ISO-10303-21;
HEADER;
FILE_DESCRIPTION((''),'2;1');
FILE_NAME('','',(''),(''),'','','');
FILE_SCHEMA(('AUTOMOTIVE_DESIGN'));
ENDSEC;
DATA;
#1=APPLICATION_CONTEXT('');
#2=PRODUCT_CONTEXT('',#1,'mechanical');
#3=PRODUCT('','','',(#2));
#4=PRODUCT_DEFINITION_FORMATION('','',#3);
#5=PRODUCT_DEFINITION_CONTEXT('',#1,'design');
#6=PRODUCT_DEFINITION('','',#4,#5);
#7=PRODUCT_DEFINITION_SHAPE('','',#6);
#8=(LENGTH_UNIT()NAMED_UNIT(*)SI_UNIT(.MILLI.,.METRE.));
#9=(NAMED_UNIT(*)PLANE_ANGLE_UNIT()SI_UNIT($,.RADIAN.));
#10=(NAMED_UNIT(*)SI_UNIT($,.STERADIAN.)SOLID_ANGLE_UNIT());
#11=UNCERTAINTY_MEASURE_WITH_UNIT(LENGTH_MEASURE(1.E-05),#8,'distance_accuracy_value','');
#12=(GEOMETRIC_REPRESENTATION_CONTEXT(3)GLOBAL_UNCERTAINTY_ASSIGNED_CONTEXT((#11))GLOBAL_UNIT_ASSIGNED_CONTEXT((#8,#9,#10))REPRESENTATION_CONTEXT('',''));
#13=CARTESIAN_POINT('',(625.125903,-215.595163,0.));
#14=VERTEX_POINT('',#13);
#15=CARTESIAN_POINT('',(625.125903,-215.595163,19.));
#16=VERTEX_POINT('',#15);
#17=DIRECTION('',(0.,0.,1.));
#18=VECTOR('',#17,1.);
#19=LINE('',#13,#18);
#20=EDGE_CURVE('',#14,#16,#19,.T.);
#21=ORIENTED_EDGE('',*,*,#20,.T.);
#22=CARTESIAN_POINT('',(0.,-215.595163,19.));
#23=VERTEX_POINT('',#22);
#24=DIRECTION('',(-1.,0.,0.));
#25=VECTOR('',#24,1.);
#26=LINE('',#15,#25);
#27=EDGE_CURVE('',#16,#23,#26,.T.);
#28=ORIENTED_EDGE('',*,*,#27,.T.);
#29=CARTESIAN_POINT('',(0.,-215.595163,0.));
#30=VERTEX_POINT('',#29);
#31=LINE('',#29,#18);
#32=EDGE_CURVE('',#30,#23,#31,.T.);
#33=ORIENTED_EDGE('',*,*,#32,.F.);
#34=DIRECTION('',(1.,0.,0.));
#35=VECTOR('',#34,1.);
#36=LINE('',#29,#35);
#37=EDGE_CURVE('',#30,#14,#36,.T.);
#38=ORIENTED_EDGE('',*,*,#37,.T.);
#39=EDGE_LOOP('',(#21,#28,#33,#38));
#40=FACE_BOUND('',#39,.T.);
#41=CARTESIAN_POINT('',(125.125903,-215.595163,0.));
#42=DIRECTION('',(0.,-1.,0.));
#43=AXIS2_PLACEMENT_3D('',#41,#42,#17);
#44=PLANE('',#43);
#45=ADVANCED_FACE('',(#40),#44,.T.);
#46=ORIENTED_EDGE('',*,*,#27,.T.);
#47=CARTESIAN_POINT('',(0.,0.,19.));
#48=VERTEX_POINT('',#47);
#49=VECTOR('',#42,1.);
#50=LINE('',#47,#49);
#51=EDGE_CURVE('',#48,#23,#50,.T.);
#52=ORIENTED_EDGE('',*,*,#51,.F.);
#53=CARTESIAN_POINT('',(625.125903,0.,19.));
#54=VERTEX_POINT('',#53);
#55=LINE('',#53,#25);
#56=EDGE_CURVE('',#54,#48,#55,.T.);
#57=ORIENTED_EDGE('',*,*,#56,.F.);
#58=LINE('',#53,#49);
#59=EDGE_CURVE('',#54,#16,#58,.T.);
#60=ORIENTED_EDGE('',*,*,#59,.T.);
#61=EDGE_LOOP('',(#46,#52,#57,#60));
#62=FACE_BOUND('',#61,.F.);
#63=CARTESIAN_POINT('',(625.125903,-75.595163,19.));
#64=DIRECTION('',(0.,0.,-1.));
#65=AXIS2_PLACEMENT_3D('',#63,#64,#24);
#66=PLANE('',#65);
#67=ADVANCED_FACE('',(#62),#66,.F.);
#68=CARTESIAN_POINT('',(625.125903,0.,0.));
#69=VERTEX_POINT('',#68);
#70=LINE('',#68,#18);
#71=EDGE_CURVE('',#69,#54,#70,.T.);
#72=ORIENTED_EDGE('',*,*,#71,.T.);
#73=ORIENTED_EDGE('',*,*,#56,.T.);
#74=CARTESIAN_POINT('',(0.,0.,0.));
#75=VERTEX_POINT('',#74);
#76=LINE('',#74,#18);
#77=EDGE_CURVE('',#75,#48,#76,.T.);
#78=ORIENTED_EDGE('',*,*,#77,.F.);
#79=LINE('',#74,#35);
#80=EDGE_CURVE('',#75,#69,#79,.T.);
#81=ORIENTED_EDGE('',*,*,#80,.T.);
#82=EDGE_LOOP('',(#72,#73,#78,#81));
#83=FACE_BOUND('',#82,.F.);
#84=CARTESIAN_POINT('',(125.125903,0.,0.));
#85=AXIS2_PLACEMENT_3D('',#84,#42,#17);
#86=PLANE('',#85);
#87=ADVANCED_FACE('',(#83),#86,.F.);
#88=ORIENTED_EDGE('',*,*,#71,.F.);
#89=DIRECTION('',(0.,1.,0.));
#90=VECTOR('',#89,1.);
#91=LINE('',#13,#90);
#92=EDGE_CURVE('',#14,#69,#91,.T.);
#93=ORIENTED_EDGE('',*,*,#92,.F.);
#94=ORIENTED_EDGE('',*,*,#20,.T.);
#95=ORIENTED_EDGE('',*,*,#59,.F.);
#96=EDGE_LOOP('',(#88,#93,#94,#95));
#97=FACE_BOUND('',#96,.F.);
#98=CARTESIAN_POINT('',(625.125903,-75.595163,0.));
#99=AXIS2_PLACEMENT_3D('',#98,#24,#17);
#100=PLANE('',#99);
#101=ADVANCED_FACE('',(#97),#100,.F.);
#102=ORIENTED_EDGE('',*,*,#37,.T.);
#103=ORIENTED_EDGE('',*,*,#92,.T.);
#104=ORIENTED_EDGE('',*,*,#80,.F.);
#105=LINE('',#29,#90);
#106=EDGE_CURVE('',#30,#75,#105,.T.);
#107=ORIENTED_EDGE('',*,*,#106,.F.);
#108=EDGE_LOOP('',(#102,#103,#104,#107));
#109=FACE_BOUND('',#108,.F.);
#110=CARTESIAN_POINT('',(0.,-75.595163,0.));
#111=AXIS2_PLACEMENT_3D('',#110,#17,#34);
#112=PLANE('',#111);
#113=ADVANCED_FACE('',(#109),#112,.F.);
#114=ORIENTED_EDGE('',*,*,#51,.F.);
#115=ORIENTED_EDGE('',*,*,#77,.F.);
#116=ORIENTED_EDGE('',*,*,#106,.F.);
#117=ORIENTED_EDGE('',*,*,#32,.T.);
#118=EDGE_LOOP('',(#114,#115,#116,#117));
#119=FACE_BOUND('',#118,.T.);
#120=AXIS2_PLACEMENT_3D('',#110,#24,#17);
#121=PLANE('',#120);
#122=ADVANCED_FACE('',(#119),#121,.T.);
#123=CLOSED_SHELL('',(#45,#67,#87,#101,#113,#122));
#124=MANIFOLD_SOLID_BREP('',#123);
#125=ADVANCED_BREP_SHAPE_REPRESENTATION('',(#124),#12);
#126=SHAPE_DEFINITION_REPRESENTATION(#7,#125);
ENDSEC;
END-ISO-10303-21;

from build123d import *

# Parameters (mm, degrees)
F0_W     = 75.1259028912
F0_H     = 75.5951628089
F1_DEPTH = 19
F2_DEPTH = 50
F3_DEPTH = 500
F4_DEPTH = 140


with BuildPart() as f1:
    # F0 (on Top) → F1 (new body)
    with BuildSketch(Plane.XY):
        with Locations((37.5629514456, -37.7975814044)):
            Rectangle(F0_W, F0_H)
    extrude(amount=F1_DEPTH)

    # F2 (add): a face of the model
    f2_faces = [f1.faces().sort_by_distance(p)[0] for p in [
        (75.1259028912, -37.7975814044, 9.5),
    ]]
    extrude(f2_faces, amount=F2_DEPTH)

    # F3 (add): a face of the model
    f3_faces = [f1.faces().sort_by_distance(p)[0] for p in [
        (125.1259028912, -37.7975814044, 9.5),
    ]]
    extrude(f3_faces, amount=F3_DEPTH)

    # F4 (add): a face of the model
    f4_faces = [f1.faces().sort_by_distance(p)[0] for p in [
        (312.5629514456, -75.5951628089, 9.5),
    ]]
    extrude(f4_faces, amount=F4_DEPTH)


solid = f1.part
